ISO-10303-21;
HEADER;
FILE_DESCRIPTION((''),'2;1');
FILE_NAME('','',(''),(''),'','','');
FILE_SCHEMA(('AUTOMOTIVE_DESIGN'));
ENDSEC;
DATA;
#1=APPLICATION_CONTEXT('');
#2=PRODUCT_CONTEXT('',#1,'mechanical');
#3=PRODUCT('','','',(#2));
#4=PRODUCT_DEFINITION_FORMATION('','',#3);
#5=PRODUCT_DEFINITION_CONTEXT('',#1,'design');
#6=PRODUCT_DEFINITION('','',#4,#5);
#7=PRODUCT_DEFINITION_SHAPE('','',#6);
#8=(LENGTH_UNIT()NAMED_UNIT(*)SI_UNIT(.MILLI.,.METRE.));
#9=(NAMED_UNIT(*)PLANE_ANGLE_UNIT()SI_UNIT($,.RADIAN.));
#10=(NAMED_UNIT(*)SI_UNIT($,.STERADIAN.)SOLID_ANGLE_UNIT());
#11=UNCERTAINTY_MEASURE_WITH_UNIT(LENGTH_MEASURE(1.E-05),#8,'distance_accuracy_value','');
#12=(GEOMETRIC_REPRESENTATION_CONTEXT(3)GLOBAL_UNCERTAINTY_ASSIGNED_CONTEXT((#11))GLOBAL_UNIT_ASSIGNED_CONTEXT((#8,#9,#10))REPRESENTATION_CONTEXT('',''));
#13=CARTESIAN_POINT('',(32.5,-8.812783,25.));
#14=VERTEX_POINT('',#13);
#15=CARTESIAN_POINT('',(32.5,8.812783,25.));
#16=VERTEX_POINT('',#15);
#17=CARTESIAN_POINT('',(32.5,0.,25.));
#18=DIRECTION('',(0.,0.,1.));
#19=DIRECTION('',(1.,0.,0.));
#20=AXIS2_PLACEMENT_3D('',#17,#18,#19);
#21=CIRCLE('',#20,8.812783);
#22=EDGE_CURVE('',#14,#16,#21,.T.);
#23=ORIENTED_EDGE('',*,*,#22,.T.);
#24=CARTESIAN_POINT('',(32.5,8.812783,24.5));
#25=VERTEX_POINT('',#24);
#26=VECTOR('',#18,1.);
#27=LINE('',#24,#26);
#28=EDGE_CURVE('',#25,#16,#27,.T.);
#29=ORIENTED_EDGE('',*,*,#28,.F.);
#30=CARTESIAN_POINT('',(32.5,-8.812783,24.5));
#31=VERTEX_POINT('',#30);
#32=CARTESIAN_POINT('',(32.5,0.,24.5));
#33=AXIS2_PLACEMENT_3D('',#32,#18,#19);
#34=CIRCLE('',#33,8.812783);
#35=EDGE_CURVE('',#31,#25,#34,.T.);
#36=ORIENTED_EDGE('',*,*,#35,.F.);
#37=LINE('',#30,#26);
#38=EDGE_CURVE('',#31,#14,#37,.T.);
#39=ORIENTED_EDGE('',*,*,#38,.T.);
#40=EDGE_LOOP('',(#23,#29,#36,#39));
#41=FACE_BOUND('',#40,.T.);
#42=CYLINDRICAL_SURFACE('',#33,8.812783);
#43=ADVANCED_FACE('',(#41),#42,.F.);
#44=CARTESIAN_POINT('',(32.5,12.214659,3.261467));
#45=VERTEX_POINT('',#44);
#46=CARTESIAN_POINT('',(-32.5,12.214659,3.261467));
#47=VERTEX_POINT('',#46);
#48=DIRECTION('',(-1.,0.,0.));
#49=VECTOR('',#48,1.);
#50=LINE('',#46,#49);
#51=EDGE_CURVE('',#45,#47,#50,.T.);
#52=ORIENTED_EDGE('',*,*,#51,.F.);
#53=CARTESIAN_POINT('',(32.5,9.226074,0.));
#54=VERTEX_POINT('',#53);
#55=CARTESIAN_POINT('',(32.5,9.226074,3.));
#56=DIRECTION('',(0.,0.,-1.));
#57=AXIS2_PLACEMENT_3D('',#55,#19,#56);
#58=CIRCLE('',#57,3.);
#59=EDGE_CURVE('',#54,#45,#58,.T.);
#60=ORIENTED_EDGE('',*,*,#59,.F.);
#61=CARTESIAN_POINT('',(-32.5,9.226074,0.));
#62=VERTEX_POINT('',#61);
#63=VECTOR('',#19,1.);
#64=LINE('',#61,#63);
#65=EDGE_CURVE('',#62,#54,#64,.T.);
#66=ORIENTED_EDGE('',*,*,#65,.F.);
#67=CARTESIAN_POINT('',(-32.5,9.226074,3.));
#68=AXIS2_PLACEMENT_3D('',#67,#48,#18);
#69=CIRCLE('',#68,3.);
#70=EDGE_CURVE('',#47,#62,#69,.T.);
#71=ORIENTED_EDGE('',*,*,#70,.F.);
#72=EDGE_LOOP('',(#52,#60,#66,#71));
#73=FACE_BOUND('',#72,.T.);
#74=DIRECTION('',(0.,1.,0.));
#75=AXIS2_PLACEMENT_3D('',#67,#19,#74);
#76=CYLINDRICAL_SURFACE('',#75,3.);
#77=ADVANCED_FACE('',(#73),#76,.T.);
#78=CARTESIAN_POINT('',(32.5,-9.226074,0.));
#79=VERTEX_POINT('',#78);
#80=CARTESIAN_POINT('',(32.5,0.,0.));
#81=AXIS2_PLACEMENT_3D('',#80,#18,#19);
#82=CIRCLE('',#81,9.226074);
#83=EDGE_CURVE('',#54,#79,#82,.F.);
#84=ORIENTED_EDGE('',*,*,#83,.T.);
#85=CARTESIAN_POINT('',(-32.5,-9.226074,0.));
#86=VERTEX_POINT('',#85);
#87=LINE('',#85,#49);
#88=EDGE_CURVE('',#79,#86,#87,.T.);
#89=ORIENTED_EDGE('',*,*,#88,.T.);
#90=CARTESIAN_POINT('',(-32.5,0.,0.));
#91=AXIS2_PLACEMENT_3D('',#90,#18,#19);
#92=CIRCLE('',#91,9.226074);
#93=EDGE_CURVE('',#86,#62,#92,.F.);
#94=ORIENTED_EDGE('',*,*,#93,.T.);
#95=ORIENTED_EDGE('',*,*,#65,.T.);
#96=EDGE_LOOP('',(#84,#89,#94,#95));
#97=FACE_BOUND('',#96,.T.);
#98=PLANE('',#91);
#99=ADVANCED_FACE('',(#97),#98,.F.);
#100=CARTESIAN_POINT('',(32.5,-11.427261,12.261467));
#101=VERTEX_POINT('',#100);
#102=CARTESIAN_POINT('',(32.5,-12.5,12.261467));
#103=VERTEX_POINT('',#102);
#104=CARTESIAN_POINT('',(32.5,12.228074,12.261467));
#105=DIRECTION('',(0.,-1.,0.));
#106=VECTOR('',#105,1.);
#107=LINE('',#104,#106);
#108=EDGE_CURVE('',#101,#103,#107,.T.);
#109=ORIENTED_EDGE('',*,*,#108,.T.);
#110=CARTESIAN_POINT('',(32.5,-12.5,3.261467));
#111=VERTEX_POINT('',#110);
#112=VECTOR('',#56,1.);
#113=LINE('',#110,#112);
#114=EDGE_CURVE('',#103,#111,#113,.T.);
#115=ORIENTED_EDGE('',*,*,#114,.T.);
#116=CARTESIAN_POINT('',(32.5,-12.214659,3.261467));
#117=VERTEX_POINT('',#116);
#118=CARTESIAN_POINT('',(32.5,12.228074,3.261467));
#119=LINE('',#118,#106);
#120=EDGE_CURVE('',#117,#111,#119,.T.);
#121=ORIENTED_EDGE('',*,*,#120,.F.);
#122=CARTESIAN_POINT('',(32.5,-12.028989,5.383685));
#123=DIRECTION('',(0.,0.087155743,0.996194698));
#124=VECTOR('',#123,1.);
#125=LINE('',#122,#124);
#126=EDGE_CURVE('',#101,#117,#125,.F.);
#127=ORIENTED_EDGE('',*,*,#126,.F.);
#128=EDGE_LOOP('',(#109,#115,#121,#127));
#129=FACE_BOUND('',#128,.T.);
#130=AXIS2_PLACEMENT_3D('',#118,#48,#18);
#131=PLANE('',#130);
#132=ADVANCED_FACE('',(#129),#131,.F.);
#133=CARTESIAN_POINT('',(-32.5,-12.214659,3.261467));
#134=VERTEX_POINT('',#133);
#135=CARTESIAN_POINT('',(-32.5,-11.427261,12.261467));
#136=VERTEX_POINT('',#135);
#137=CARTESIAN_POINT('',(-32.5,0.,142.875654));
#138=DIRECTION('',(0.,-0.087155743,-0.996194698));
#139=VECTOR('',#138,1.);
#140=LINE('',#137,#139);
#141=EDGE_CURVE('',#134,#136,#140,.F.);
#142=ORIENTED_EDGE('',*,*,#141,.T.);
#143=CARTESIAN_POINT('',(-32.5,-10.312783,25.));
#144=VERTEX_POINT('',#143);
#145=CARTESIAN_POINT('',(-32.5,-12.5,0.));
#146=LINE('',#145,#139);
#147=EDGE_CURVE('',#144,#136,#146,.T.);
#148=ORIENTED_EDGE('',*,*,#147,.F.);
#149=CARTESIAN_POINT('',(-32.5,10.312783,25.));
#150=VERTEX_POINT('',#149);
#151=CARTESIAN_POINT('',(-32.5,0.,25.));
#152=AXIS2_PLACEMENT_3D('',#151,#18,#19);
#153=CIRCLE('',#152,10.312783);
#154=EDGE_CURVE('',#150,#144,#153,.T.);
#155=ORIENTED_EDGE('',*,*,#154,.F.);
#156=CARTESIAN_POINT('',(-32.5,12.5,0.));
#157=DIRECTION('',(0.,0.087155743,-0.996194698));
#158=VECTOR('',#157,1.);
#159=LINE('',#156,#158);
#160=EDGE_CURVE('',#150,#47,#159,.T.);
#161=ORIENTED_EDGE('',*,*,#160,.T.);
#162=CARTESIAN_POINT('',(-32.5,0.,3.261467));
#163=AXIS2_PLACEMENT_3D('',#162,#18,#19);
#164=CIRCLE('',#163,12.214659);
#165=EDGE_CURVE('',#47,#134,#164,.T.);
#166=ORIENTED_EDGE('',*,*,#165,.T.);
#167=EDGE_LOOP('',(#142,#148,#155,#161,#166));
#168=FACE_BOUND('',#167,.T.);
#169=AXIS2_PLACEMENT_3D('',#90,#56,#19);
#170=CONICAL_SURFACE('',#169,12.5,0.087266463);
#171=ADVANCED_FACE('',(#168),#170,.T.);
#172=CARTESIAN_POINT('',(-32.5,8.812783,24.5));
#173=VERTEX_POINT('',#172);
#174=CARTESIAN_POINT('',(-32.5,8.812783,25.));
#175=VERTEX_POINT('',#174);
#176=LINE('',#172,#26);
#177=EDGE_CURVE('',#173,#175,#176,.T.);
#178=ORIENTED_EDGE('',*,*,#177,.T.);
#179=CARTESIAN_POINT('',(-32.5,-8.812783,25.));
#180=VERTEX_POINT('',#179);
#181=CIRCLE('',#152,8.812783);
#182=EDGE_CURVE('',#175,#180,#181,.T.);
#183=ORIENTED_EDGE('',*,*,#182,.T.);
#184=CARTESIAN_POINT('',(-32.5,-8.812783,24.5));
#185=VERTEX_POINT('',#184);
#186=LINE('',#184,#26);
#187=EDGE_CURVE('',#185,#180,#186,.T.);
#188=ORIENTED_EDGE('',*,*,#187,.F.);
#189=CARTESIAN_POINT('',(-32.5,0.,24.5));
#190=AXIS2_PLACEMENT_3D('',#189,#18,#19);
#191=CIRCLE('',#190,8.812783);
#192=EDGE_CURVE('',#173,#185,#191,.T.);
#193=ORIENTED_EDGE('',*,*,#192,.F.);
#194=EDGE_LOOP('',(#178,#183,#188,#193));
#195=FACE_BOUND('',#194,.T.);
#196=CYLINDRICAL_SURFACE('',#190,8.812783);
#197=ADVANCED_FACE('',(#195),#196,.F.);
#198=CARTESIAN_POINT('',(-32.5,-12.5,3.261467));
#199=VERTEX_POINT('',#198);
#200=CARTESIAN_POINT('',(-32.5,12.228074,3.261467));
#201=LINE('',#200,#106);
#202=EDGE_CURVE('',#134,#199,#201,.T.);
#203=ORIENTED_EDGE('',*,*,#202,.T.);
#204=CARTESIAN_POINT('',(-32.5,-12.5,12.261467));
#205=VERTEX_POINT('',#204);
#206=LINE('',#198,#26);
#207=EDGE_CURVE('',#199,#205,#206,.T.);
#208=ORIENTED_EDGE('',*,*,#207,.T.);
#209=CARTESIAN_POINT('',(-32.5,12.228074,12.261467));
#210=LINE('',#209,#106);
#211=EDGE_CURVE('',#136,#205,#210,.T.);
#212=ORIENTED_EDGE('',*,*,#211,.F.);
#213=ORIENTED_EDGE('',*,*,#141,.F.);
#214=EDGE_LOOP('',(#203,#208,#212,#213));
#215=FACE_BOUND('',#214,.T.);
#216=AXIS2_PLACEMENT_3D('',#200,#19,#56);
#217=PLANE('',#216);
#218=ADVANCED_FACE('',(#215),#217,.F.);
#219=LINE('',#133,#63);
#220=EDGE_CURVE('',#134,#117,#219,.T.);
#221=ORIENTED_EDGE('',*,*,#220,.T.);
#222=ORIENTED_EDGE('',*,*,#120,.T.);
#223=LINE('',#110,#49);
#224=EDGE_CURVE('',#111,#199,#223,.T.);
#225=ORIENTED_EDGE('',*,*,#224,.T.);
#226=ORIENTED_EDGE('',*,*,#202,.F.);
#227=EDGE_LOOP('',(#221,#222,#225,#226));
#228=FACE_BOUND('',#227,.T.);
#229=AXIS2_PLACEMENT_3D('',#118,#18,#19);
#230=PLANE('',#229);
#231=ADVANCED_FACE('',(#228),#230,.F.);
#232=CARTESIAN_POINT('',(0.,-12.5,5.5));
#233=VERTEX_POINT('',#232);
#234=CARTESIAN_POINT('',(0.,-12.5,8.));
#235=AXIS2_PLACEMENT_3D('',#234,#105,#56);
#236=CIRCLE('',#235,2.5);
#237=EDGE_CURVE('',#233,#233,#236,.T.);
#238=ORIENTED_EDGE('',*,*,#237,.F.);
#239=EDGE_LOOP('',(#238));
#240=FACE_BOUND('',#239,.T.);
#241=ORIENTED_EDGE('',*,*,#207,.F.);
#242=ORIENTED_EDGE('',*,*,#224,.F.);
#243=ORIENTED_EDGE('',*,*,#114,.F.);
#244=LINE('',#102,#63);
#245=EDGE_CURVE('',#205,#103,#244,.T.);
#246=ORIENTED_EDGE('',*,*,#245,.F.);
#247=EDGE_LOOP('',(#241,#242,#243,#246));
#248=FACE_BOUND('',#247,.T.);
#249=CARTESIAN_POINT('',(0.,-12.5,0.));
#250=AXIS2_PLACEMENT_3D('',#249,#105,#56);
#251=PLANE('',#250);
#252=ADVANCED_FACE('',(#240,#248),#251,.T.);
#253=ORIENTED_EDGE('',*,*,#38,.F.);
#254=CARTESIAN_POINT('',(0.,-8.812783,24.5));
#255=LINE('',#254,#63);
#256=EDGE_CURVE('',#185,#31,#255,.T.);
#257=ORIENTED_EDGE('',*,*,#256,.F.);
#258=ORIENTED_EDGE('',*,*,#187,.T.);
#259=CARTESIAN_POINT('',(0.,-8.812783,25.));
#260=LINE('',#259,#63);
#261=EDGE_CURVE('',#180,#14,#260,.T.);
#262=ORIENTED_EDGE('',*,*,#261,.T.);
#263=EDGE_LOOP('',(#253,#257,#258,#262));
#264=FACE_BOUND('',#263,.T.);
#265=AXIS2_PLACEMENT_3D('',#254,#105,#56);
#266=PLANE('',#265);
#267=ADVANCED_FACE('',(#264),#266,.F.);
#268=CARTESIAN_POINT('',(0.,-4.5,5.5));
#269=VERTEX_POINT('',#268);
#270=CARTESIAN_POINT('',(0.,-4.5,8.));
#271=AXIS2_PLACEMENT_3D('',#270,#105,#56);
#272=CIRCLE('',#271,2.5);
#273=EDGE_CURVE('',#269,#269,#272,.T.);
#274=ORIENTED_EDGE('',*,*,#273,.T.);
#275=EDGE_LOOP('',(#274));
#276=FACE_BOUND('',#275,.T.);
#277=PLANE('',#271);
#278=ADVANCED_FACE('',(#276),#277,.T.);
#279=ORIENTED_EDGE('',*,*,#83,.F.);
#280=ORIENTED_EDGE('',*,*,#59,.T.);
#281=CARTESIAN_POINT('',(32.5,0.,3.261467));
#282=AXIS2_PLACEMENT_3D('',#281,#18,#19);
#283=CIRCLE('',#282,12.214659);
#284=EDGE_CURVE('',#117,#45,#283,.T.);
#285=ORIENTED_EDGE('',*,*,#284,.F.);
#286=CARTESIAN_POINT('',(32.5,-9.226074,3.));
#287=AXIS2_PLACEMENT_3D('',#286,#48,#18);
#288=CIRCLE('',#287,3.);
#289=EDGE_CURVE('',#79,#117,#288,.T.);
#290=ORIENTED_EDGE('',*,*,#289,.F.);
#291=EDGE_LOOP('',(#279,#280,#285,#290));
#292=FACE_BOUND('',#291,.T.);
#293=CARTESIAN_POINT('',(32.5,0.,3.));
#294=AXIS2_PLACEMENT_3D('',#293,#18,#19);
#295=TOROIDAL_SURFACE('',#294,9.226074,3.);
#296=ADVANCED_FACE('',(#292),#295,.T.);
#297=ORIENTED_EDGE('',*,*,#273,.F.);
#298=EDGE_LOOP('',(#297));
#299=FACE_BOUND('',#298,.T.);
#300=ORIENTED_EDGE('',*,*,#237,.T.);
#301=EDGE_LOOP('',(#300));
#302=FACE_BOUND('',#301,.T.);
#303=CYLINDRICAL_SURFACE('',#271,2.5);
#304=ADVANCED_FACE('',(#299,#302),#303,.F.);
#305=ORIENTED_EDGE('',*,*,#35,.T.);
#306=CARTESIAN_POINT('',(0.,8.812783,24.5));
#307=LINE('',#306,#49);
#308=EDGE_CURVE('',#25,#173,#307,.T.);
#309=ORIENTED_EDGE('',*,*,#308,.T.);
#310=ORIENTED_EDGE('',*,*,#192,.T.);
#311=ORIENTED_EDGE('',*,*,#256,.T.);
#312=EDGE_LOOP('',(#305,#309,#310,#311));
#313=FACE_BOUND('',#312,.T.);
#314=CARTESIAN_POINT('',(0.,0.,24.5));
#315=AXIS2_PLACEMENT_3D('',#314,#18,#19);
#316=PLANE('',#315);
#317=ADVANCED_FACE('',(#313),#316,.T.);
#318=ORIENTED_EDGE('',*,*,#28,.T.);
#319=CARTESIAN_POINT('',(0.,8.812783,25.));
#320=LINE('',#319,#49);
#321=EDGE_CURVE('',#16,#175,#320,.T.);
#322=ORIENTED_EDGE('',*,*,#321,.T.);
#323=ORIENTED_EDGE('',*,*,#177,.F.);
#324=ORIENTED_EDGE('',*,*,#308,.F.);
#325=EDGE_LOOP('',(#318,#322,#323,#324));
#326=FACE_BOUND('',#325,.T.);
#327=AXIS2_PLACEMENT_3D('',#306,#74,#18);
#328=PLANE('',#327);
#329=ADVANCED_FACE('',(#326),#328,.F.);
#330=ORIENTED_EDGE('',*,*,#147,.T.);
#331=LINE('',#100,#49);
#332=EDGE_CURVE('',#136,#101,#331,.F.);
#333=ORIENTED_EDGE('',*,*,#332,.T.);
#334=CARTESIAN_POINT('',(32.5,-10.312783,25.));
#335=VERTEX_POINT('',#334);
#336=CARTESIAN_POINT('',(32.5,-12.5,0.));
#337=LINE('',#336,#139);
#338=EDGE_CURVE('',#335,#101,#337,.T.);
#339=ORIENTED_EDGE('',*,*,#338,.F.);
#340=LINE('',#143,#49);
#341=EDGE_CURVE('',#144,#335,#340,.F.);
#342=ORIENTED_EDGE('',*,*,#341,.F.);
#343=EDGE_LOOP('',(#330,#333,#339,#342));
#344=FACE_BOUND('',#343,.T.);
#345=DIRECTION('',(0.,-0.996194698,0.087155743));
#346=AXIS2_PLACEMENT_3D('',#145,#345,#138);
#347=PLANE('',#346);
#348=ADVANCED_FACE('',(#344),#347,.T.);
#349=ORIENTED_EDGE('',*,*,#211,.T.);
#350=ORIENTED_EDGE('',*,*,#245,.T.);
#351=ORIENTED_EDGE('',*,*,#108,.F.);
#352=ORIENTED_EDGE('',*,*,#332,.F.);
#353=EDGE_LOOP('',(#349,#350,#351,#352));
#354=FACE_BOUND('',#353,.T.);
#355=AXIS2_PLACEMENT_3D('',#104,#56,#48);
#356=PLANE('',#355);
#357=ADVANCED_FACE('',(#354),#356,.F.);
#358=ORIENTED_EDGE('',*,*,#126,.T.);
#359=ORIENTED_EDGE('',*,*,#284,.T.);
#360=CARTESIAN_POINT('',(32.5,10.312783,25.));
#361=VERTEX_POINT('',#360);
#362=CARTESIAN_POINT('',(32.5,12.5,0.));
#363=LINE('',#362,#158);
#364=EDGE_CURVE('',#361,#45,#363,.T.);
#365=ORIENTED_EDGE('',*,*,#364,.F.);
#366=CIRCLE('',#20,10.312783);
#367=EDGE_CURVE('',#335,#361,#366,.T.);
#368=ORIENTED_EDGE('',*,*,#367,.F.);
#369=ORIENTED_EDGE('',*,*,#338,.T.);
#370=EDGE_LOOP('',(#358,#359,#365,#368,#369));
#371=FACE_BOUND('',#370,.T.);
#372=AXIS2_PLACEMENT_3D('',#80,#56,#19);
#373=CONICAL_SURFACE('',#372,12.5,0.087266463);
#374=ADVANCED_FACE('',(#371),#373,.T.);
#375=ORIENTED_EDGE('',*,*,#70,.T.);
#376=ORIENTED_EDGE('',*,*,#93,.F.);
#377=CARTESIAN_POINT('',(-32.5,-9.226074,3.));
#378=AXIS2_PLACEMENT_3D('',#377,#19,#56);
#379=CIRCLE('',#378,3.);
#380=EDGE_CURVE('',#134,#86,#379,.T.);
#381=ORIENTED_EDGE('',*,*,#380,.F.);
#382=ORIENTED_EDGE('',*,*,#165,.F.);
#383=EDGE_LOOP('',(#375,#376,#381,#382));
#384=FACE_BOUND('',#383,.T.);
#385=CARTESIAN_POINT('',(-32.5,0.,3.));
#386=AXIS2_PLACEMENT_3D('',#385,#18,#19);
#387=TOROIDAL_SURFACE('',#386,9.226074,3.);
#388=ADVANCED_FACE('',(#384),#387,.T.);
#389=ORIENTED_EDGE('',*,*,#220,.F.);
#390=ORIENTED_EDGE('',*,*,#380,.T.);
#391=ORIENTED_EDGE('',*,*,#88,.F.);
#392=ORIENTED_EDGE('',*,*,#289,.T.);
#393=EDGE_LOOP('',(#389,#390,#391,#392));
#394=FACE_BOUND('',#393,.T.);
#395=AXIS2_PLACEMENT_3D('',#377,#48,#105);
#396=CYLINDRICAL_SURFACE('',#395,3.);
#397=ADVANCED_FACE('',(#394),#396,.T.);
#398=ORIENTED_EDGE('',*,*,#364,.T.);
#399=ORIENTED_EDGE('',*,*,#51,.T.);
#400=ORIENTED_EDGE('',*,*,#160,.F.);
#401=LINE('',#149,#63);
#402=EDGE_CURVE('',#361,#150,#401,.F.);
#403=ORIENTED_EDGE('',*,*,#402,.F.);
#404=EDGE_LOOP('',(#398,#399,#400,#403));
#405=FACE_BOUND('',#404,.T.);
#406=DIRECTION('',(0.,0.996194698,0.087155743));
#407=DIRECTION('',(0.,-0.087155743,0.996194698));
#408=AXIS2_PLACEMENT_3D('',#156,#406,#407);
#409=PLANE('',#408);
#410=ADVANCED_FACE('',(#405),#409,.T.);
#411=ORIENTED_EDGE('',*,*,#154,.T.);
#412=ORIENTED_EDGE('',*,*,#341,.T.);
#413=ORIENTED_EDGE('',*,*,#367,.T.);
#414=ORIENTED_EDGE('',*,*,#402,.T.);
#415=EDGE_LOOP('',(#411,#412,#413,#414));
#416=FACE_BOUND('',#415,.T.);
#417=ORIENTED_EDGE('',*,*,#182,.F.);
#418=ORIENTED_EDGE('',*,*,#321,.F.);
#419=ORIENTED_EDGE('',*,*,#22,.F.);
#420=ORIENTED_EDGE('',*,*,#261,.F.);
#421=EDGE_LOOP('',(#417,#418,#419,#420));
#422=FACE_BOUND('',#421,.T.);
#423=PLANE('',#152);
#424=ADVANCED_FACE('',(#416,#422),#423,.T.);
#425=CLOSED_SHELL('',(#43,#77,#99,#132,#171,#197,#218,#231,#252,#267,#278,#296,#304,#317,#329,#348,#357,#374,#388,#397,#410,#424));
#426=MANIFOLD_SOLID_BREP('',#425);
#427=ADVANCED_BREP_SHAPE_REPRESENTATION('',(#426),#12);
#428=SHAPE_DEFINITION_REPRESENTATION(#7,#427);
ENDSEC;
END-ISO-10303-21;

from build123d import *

# Parameters (mm, degrees)
BOSS_EXTRUDE1_DEPTH = 25
BOSS_EXTRUDE1_TAPER = 5
FILLET1_R           = 3
CUT_EXTRUDE1_DEPTH  = 0.5
BOSS_EXTRUDE2_REACH = 26.726
SKETCH5_W           = 65
SKETCH5_H           = 9
SKETCH6_R           = 2.5
CUT_EXTRUDE2_DEPTH  = 8


with BuildPart() as part:
    # Sketch1 → Boss-Extrude1 (new body)
    with BuildSketch(Plane.XY):
        with BuildLine():
            ThreePointArc((-32.5, 12.5), (-45, 0), (-32.5, -12.5))
            Line((-32.5, -12.5), (32.5, -12.5))
            ThreePointArc((32.5, -12.5), (45, 0), (32.5, 12.5))
            Line((32.5, 12.5), (-32.5, 12.5))
        make_face()
    extrude(amount=BOSS_EXTRUDE1_DEPTH, taper=BOSS_EXTRUDE1_TAPER)

    # Fillet1
    fillet1_edges = [part.edges().sort_by_distance(p)[0] for p in [
        (0, 12.5, 0),
        (45, 0, 0),
        (0, -12.5, 0),
        (-45, 0, 0),
    ]]
    fillet(fillet1_edges, radius=FILLET1_R)

    # Sketch4 → Cut-Extrude1 (cut)
    with BuildSketch(Plane.XY.offset(25)):
        with BuildLine():
            Line((-32.5, -8.812783412), (32.5, -8.812783412))
            ThreePointArc((32.5, -8.812783412), (41.312783412, 0), (32.5, 8.812783412))
            Line((32.5, 8.812783412), (-32.5, 8.812783412))
            ThreePointArc((-32.5, 8.812783412), (-41.312783412, 0), (-32.5, -8.812783412))
        make_face()
    extrude(amount=-CUT_EXTRUDE1_DEPTH, mode=Mode.SUBTRACT)

    # Sketch5 → Boss-Extrude2 (add, up to next)
    with BuildSketch(Plane(origin=(0, -12.5, 0), x_dir=(1, 0, 0), z_dir=(0, 1, 0)), mode=Mode.PRIVATE) as boss_extrude2_sk1:
        with Locations((0, -7.761467228)):
            Rectangle(SKETCH5_W, SKETCH5_H)
    boss_extrude2_tool1 = extrude(boss_extrude2_sk1.sketch, amount=BOSS_EXTRUDE2_REACH, mode=Mode.PRIVATE) - part.part
    add(boss_extrude2_tool1.solids().sort_by_distance((0, -12.5, 7.761467))[0])

    # Sketch6 → Cut-Extrude2 (cut)
    with BuildSketch(Plane.XZ.offset(12.5)):
        with Locations((0, 8)):
            Circle(SKETCH6_R)
    extrude(amount=-CUT_EXTRUDE2_DEPTH, mode=Mode.SUBTRACT)


solid = part.part
